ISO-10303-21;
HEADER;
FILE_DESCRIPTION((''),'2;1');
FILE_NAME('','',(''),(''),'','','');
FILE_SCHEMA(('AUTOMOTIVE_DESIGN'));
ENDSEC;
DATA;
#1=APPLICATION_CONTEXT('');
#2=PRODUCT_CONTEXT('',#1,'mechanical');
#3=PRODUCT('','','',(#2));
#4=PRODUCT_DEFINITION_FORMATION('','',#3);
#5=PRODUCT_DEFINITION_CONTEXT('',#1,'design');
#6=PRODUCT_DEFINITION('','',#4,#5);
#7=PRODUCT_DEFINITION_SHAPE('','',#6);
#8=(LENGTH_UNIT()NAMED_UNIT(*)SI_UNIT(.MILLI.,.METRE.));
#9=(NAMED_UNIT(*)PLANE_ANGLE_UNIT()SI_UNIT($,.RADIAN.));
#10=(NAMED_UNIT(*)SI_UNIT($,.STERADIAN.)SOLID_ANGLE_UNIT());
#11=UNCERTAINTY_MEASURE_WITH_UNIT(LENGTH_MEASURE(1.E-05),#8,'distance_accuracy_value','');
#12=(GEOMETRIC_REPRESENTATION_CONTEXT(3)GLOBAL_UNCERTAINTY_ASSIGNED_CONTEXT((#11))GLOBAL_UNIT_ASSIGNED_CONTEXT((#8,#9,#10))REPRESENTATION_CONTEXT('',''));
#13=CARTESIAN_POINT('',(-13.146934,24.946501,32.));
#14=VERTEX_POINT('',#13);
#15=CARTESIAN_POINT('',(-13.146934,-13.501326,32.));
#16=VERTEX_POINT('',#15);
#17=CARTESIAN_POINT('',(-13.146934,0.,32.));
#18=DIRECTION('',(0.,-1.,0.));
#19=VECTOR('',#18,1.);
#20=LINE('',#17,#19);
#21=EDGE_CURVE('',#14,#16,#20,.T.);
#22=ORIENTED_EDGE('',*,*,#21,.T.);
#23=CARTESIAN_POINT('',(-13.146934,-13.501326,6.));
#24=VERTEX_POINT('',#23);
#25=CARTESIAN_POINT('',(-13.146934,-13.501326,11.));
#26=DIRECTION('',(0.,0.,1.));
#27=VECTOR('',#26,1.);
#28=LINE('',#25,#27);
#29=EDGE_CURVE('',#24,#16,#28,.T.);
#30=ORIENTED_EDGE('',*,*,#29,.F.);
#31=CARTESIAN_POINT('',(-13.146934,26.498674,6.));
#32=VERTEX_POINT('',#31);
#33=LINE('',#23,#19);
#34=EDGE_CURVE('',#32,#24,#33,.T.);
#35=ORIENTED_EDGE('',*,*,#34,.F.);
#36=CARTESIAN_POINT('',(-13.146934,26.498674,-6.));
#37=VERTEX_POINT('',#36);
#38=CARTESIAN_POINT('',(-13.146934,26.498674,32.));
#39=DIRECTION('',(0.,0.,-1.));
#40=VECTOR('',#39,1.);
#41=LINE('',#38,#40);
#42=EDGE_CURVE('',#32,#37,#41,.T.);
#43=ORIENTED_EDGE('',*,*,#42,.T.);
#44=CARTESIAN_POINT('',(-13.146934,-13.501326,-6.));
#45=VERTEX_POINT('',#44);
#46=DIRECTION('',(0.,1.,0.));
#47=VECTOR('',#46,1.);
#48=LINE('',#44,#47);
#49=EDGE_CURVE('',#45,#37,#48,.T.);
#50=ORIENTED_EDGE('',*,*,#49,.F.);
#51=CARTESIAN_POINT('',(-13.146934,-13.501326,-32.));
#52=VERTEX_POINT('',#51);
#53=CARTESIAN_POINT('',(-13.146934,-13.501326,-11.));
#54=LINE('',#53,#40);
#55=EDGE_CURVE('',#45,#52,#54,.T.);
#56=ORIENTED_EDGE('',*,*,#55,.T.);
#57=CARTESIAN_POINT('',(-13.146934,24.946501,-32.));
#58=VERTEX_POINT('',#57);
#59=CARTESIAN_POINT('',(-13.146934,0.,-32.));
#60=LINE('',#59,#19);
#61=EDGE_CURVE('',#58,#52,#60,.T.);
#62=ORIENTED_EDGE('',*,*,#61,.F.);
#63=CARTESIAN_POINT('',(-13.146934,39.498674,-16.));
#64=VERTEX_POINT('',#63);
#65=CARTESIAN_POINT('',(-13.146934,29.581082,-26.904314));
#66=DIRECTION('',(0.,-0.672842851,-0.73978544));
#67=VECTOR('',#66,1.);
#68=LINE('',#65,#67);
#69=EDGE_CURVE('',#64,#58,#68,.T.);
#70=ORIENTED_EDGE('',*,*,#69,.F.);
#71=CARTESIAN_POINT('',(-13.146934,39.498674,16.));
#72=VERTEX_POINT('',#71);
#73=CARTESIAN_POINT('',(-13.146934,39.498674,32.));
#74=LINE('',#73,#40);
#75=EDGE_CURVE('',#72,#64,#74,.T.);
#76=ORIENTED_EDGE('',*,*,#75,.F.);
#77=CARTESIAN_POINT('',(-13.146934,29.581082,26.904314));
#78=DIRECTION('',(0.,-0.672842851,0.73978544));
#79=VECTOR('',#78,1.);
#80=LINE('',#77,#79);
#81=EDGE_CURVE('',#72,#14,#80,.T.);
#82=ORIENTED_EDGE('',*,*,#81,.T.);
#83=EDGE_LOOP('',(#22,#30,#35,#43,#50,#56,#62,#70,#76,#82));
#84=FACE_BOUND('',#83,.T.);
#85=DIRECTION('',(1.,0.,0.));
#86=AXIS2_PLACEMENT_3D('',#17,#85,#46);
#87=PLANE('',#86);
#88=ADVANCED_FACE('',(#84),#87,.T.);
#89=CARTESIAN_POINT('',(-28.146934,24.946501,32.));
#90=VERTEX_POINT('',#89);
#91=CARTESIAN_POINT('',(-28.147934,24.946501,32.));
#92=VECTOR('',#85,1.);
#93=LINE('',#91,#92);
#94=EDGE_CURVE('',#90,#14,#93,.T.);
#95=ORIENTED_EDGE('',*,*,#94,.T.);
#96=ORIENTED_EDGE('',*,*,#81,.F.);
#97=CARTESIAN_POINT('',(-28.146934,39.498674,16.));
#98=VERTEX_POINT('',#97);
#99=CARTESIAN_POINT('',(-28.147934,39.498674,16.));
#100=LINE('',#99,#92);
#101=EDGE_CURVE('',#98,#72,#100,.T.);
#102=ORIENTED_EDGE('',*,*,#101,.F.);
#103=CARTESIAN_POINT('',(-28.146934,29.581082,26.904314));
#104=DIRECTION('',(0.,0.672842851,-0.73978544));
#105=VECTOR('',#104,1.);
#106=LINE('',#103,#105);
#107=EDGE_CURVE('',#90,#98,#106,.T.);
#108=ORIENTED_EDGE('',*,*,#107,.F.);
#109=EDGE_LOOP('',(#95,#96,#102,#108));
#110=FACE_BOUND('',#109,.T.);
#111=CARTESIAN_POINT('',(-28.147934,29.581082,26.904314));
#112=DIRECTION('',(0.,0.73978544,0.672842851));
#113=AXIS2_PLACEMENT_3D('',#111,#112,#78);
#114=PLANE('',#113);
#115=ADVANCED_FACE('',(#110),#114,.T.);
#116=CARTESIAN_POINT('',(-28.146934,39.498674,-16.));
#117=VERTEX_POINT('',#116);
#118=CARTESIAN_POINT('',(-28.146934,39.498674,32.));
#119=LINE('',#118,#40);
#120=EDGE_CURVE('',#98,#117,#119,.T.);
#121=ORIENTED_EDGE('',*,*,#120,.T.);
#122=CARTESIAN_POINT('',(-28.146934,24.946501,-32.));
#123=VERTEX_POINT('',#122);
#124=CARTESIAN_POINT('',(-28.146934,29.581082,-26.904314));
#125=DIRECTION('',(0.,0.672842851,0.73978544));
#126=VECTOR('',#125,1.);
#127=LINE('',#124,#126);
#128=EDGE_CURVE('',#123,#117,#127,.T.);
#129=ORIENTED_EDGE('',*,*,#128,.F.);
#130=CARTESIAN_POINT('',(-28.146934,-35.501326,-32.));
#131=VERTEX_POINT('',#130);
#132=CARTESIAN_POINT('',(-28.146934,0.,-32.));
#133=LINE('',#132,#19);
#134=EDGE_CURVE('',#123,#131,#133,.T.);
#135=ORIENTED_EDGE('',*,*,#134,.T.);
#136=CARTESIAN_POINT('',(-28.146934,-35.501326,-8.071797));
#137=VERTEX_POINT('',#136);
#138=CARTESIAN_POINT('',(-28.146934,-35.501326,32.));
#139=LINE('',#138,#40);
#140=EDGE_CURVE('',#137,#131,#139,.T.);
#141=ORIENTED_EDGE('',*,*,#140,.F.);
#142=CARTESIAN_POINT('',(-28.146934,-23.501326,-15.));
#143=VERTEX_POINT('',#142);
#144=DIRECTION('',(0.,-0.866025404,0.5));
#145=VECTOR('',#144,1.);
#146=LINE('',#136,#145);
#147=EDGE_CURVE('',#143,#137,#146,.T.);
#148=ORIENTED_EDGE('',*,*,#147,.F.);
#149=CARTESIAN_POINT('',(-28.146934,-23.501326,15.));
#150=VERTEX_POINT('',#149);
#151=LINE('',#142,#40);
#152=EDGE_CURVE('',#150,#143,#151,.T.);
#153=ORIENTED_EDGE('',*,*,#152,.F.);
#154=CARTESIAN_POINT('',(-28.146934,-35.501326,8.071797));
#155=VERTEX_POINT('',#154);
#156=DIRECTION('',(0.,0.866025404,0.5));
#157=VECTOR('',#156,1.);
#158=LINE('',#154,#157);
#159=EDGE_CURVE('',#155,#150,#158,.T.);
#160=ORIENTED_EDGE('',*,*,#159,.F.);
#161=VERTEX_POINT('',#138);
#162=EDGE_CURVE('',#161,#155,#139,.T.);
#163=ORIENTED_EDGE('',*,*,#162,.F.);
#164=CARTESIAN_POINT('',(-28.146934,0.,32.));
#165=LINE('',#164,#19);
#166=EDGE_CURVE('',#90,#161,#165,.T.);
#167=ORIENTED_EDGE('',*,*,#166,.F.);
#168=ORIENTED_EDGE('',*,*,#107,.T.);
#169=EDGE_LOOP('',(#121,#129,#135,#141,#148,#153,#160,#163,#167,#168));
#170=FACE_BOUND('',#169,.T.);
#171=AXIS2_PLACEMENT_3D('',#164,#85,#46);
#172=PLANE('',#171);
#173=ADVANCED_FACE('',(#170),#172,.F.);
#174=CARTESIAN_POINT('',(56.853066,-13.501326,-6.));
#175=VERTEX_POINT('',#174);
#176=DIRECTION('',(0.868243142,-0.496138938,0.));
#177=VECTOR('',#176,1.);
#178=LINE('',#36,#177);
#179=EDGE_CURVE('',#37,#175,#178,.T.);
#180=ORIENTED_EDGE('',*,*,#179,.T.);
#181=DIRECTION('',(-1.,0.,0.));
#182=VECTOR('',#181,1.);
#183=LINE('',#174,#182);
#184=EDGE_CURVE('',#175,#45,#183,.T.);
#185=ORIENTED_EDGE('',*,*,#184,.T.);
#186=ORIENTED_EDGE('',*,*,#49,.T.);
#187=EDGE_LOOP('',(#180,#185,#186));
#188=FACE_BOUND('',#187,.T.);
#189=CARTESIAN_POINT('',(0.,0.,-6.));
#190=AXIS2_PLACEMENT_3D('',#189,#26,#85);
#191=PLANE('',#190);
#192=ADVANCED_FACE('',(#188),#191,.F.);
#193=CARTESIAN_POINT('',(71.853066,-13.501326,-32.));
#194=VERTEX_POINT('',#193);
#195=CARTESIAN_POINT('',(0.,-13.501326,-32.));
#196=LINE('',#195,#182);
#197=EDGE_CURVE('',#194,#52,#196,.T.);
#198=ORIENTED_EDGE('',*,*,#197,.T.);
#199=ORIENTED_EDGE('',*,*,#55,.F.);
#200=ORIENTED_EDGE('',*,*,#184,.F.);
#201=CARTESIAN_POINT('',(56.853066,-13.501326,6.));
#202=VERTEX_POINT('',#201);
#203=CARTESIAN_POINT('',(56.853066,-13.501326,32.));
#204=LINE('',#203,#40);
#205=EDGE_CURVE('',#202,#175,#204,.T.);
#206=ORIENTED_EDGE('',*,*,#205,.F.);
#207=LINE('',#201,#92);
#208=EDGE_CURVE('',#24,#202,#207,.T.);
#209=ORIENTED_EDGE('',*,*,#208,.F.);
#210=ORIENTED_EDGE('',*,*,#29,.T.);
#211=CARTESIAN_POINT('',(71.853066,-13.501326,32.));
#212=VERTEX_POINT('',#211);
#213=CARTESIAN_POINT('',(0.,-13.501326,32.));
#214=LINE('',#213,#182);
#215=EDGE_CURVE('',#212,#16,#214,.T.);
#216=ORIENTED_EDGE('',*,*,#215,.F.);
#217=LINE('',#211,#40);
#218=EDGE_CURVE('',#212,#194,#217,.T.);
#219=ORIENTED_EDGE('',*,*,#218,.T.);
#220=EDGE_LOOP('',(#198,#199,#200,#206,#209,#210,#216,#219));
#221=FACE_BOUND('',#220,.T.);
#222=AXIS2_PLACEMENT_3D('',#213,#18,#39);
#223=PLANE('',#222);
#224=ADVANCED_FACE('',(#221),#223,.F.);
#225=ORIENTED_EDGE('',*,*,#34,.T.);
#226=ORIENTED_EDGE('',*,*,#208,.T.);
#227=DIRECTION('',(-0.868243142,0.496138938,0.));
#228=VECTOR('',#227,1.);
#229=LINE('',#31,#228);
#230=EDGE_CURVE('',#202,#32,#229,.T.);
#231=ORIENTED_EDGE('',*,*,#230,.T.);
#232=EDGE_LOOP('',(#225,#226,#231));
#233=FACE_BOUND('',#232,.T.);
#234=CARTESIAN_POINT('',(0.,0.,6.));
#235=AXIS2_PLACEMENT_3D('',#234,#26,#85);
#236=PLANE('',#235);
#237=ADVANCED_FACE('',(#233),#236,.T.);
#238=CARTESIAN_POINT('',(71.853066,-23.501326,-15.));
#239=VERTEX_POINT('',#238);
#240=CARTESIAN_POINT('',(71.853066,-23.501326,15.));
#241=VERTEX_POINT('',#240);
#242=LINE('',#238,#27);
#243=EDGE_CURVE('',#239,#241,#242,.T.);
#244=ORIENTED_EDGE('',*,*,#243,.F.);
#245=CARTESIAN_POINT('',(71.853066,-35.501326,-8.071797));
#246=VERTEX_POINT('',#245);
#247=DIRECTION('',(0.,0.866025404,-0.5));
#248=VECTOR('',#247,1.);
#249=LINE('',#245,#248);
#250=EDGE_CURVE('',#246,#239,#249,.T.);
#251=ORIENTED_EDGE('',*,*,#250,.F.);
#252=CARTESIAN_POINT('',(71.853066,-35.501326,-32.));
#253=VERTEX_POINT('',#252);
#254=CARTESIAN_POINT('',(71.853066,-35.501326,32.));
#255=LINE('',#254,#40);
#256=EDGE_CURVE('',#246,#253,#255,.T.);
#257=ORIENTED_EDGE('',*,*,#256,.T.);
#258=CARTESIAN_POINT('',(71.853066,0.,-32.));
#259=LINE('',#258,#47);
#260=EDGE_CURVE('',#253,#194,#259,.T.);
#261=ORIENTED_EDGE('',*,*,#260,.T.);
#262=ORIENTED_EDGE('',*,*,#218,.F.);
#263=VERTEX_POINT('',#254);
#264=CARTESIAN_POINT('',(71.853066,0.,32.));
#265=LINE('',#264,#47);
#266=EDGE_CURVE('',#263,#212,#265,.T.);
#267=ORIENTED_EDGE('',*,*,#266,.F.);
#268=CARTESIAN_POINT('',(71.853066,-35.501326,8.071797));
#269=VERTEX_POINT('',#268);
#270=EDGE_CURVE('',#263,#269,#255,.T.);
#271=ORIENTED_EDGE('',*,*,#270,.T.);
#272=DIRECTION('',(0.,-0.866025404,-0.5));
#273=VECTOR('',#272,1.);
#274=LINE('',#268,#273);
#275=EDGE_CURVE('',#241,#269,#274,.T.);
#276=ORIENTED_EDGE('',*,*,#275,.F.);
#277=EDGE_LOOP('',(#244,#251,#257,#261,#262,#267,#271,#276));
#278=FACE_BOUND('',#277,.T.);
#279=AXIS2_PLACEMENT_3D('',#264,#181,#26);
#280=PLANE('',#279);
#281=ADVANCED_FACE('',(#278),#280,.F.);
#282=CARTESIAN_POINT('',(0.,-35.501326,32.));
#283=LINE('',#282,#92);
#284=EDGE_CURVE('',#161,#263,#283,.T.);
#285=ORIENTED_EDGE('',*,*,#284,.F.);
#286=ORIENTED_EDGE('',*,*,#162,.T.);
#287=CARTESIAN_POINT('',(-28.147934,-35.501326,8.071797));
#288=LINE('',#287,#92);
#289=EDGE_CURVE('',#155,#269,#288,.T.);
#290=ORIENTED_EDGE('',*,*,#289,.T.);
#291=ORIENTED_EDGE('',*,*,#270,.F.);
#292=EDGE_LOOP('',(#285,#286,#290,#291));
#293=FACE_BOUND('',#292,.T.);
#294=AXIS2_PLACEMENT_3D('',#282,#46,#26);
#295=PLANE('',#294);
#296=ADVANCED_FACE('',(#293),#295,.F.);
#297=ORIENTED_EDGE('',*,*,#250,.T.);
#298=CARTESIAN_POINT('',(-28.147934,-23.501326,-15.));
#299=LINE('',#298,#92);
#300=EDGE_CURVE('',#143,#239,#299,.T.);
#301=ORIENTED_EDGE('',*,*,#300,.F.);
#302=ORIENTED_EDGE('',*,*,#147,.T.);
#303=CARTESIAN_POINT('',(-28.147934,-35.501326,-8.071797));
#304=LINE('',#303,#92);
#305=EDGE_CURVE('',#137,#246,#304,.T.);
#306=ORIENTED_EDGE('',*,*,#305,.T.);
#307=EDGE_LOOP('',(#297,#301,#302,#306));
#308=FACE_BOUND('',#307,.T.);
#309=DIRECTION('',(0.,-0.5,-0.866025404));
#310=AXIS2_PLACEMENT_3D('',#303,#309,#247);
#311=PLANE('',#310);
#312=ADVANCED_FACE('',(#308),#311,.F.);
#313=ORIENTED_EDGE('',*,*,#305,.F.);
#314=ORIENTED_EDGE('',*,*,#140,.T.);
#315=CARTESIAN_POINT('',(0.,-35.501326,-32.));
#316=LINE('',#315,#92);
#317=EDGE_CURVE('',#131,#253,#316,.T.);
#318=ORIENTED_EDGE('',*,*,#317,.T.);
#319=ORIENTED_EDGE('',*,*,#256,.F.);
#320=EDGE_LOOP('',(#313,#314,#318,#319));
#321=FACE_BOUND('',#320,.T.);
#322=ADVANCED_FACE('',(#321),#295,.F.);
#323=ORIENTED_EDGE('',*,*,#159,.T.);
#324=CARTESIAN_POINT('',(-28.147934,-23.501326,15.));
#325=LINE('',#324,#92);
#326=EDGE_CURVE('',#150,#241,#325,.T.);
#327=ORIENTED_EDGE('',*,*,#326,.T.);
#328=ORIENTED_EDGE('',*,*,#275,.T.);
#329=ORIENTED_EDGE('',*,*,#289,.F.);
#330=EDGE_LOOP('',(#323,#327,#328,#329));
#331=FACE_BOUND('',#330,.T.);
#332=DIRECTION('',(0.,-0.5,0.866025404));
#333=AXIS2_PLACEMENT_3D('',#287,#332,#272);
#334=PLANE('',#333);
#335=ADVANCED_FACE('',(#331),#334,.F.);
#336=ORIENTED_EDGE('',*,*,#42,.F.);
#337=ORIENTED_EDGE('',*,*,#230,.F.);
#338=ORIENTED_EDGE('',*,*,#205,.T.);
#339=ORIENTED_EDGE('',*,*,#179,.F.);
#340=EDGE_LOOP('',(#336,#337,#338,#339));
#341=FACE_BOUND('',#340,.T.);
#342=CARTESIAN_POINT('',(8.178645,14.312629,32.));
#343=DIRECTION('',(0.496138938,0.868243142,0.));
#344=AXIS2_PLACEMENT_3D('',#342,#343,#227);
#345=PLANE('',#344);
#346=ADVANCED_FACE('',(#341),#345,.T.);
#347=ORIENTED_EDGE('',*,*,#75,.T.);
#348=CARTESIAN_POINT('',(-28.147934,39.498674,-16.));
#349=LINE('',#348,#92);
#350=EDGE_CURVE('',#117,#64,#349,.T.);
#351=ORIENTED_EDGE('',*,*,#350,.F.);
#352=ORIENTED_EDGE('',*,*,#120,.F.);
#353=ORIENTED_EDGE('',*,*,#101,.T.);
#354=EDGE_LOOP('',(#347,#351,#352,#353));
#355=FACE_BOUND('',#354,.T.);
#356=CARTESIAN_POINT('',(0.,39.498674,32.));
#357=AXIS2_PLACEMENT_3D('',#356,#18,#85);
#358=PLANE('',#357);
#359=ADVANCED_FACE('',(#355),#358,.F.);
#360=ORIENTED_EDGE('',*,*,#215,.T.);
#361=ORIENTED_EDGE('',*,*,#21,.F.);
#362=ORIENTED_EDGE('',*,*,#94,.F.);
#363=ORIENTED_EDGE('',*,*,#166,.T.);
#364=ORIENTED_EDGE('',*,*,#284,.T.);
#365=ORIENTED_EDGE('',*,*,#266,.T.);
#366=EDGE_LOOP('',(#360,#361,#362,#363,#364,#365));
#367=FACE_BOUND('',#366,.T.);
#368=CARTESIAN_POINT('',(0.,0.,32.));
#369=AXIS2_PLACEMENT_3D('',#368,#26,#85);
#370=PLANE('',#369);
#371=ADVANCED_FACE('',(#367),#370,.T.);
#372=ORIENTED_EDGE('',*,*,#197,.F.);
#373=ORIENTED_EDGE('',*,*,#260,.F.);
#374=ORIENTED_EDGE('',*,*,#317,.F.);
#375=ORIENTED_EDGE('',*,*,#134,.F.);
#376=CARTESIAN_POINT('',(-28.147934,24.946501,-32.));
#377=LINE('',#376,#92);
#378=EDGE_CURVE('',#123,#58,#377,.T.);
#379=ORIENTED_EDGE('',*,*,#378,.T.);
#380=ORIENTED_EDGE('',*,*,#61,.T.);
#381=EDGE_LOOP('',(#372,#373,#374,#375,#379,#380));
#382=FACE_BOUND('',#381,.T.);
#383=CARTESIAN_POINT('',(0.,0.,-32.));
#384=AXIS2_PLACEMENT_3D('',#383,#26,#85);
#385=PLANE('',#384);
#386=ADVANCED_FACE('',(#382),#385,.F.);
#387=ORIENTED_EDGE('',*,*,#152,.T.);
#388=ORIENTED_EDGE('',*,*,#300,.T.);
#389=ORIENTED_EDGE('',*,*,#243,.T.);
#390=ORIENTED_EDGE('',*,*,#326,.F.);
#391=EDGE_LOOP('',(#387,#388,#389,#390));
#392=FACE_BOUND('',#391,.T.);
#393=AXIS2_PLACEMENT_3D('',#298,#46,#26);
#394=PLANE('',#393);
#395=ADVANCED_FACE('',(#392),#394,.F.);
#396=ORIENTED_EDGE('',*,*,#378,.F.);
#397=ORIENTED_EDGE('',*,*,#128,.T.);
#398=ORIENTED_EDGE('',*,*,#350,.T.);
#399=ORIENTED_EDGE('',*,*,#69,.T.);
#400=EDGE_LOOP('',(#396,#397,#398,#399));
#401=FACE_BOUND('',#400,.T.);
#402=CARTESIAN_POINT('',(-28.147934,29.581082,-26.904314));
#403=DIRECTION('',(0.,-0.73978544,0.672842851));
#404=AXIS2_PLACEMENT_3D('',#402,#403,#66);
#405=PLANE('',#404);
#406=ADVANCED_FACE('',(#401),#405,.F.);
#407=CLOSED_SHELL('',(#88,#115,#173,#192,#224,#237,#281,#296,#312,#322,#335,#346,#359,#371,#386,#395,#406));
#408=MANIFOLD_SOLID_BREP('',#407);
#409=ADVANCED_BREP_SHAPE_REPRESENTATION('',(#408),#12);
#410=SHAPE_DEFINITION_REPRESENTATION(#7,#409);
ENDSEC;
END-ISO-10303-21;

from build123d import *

# Parameters (mm, degrees)
BOSS_EXTRUDE2_DEPTH = 32
CUT_EXTRUDE2_DEPTH  = 21
CUT_EXTRUDE3_DEPTH  = 21
CUT_EXTRUDE4_DEPTH  = 5
CUT_EXTRUDE5_DEPTH  = 5
CUT_EXTRUDE6_REACH  = 17
CUT_EXTRUDE7_REACH  = 102


with BuildPart() as part:
    # Sketch1 → Boss-Extrude2 (new body, symmetric)
    with BuildSketch(Plane.XY):
        Polygon((-13.146933892, 26.49867374), (56.853066108, -13.50132626), (-13.146933892, -13.50132626), align=None)
        Polygon((-13.146933892, 26.49867374), (-13.146933892, -13.50132626), (56.853066108, -13.50132626), (71.853066108, -13.50132626), (71.853066108, -35.50132626), (-28.146933892, -35.50132626), (-28.146933892, 39.49867374), (-13.146933892, 39.49867374), align=None)
    extrude(amount=BOSS_EXTRUDE2_DEPTH, both=True)

    # Sketch3 → Cut-Extrude2 (cut)
    with BuildSketch(Plane.XY.offset(32)):
        Polygon((-13.146933892, 26.49867374), (-13.146933892, -13.50132626), (56.853066108, -13.50132626), align=None)
    extrude(amount=-CUT_EXTRUDE2_DEPTH, mode=Mode.SUBTRACT)

    # Sketch4 → Cut-Extrude3 (cut)
    with BuildSketch(Plane(origin=(0, 0, -32), x_dir=(-1, 0, 0), z_dir=(0, 0, -1))):
        Polygon((13.146933892, 26.49867374), (13.146933892, -13.50132626), (-56.853066108, -13.50132626), align=None)
    extrude(amount=-CUT_EXTRUDE3_DEPTH, mode=Mode.SUBTRACT)

    # Sketch8 → Cut-Extrude4 (cut)
    with BuildSketch(Plane.XY.offset(11)):
        Polygon((-13.146933892, 26.49867374), (56.853066108, -13.50132626), (-13.146933892, -13.50132626), align=None)
    extrude(amount=-CUT_EXTRUDE4_DEPTH, mode=Mode.SUBTRACT)

    # Sketch9 → Cut-Extrude5 (cut)
    with BuildSketch(Plane(origin=(0, 0, -11), x_dir=(-1, 0, 0), z_dir=(0, 0, -1))):
        Polygon((13.146933892, 26.49867374), (-56.853066108, -13.50132626), (13.146933892, -13.50132626), align=None)
    extrude(amount=-CUT_EXTRUDE5_DEPTH, mode=Mode.SUBTRACT)

    # Sketch10 → Cut-Extrude6 (cut, up to next)
    with BuildSketch(Plane(origin=(-13.146933892, 0, 0), x_dir=(0, 0, -1), z_dir=(1, 0, 0)), mode=Mode.PRIVATE) as cut_extrude6_sk1:
        Polygon((-16, 39.49867374), (-32, 39.49867374), (-32, 24.946500862), align=None)
    cut_extrude6_tool1 = extrude(cut_extrude6_sk1.sketch, amount=-CUT_EXTRUDE6_REACH, mode=Mode.PRIVATE) & part.part
    add(cut_extrude6_tool1.solids().sort_by_distance((-13.146934, 34.647949, 26.666667))[0], mode=Mode.SUBTRACT)
    # Sketch10 → Cut-Extrude6 (cut, up to next)
    with BuildSketch(Plane(origin=(-13.146933892, 0, 0), x_dir=(0, 0, -1), z_dir=(1, 0, 0)), mode=Mode.PRIVATE) as cut_extrude6_sk2:
        Polygon((32, 39.49867374), (16, 39.49867374), (32, 24.946500862), align=None)
    cut_extrude6_tool2 = extrude(cut_extrude6_sk2.sketch, amount=-CUT_EXTRUDE6_REACH, mode=Mode.PRIVATE) & part.part
    add(cut_extrude6_tool2.solids().sort_by_distance((-13.146934, 34.647949, -26.666667))[0], mode=Mode.SUBTRACT)

    # Sketch11 → Cut-Extrude7 (cut, up to next)
    with BuildSketch(Plane(origin=(71.853066108, 0, 0), x_dir=(0, 0, -1), z_dir=(1, 0, 0)), mode=Mode.PRIVATE) as cut_extrude7_sk1:
        Polygon((-8.07179677, -35.50132626), (8.07179677, -35.50132626), (15, -23.50132626), (-15, -23.50132626), align=None)
    cut_extrude7_tool1 = extrude(cut_extrude7_sk1.sketch, amount=-CUT_EXTRUDE7_REACH, mode=Mode.PRIVATE) & part.part
    add(cut_extrude7_tool1.solids().sort_by_distance((71.853066, -28.900749, 0))[0], mode=Mode.SUBTRACT)


solid = part.part
